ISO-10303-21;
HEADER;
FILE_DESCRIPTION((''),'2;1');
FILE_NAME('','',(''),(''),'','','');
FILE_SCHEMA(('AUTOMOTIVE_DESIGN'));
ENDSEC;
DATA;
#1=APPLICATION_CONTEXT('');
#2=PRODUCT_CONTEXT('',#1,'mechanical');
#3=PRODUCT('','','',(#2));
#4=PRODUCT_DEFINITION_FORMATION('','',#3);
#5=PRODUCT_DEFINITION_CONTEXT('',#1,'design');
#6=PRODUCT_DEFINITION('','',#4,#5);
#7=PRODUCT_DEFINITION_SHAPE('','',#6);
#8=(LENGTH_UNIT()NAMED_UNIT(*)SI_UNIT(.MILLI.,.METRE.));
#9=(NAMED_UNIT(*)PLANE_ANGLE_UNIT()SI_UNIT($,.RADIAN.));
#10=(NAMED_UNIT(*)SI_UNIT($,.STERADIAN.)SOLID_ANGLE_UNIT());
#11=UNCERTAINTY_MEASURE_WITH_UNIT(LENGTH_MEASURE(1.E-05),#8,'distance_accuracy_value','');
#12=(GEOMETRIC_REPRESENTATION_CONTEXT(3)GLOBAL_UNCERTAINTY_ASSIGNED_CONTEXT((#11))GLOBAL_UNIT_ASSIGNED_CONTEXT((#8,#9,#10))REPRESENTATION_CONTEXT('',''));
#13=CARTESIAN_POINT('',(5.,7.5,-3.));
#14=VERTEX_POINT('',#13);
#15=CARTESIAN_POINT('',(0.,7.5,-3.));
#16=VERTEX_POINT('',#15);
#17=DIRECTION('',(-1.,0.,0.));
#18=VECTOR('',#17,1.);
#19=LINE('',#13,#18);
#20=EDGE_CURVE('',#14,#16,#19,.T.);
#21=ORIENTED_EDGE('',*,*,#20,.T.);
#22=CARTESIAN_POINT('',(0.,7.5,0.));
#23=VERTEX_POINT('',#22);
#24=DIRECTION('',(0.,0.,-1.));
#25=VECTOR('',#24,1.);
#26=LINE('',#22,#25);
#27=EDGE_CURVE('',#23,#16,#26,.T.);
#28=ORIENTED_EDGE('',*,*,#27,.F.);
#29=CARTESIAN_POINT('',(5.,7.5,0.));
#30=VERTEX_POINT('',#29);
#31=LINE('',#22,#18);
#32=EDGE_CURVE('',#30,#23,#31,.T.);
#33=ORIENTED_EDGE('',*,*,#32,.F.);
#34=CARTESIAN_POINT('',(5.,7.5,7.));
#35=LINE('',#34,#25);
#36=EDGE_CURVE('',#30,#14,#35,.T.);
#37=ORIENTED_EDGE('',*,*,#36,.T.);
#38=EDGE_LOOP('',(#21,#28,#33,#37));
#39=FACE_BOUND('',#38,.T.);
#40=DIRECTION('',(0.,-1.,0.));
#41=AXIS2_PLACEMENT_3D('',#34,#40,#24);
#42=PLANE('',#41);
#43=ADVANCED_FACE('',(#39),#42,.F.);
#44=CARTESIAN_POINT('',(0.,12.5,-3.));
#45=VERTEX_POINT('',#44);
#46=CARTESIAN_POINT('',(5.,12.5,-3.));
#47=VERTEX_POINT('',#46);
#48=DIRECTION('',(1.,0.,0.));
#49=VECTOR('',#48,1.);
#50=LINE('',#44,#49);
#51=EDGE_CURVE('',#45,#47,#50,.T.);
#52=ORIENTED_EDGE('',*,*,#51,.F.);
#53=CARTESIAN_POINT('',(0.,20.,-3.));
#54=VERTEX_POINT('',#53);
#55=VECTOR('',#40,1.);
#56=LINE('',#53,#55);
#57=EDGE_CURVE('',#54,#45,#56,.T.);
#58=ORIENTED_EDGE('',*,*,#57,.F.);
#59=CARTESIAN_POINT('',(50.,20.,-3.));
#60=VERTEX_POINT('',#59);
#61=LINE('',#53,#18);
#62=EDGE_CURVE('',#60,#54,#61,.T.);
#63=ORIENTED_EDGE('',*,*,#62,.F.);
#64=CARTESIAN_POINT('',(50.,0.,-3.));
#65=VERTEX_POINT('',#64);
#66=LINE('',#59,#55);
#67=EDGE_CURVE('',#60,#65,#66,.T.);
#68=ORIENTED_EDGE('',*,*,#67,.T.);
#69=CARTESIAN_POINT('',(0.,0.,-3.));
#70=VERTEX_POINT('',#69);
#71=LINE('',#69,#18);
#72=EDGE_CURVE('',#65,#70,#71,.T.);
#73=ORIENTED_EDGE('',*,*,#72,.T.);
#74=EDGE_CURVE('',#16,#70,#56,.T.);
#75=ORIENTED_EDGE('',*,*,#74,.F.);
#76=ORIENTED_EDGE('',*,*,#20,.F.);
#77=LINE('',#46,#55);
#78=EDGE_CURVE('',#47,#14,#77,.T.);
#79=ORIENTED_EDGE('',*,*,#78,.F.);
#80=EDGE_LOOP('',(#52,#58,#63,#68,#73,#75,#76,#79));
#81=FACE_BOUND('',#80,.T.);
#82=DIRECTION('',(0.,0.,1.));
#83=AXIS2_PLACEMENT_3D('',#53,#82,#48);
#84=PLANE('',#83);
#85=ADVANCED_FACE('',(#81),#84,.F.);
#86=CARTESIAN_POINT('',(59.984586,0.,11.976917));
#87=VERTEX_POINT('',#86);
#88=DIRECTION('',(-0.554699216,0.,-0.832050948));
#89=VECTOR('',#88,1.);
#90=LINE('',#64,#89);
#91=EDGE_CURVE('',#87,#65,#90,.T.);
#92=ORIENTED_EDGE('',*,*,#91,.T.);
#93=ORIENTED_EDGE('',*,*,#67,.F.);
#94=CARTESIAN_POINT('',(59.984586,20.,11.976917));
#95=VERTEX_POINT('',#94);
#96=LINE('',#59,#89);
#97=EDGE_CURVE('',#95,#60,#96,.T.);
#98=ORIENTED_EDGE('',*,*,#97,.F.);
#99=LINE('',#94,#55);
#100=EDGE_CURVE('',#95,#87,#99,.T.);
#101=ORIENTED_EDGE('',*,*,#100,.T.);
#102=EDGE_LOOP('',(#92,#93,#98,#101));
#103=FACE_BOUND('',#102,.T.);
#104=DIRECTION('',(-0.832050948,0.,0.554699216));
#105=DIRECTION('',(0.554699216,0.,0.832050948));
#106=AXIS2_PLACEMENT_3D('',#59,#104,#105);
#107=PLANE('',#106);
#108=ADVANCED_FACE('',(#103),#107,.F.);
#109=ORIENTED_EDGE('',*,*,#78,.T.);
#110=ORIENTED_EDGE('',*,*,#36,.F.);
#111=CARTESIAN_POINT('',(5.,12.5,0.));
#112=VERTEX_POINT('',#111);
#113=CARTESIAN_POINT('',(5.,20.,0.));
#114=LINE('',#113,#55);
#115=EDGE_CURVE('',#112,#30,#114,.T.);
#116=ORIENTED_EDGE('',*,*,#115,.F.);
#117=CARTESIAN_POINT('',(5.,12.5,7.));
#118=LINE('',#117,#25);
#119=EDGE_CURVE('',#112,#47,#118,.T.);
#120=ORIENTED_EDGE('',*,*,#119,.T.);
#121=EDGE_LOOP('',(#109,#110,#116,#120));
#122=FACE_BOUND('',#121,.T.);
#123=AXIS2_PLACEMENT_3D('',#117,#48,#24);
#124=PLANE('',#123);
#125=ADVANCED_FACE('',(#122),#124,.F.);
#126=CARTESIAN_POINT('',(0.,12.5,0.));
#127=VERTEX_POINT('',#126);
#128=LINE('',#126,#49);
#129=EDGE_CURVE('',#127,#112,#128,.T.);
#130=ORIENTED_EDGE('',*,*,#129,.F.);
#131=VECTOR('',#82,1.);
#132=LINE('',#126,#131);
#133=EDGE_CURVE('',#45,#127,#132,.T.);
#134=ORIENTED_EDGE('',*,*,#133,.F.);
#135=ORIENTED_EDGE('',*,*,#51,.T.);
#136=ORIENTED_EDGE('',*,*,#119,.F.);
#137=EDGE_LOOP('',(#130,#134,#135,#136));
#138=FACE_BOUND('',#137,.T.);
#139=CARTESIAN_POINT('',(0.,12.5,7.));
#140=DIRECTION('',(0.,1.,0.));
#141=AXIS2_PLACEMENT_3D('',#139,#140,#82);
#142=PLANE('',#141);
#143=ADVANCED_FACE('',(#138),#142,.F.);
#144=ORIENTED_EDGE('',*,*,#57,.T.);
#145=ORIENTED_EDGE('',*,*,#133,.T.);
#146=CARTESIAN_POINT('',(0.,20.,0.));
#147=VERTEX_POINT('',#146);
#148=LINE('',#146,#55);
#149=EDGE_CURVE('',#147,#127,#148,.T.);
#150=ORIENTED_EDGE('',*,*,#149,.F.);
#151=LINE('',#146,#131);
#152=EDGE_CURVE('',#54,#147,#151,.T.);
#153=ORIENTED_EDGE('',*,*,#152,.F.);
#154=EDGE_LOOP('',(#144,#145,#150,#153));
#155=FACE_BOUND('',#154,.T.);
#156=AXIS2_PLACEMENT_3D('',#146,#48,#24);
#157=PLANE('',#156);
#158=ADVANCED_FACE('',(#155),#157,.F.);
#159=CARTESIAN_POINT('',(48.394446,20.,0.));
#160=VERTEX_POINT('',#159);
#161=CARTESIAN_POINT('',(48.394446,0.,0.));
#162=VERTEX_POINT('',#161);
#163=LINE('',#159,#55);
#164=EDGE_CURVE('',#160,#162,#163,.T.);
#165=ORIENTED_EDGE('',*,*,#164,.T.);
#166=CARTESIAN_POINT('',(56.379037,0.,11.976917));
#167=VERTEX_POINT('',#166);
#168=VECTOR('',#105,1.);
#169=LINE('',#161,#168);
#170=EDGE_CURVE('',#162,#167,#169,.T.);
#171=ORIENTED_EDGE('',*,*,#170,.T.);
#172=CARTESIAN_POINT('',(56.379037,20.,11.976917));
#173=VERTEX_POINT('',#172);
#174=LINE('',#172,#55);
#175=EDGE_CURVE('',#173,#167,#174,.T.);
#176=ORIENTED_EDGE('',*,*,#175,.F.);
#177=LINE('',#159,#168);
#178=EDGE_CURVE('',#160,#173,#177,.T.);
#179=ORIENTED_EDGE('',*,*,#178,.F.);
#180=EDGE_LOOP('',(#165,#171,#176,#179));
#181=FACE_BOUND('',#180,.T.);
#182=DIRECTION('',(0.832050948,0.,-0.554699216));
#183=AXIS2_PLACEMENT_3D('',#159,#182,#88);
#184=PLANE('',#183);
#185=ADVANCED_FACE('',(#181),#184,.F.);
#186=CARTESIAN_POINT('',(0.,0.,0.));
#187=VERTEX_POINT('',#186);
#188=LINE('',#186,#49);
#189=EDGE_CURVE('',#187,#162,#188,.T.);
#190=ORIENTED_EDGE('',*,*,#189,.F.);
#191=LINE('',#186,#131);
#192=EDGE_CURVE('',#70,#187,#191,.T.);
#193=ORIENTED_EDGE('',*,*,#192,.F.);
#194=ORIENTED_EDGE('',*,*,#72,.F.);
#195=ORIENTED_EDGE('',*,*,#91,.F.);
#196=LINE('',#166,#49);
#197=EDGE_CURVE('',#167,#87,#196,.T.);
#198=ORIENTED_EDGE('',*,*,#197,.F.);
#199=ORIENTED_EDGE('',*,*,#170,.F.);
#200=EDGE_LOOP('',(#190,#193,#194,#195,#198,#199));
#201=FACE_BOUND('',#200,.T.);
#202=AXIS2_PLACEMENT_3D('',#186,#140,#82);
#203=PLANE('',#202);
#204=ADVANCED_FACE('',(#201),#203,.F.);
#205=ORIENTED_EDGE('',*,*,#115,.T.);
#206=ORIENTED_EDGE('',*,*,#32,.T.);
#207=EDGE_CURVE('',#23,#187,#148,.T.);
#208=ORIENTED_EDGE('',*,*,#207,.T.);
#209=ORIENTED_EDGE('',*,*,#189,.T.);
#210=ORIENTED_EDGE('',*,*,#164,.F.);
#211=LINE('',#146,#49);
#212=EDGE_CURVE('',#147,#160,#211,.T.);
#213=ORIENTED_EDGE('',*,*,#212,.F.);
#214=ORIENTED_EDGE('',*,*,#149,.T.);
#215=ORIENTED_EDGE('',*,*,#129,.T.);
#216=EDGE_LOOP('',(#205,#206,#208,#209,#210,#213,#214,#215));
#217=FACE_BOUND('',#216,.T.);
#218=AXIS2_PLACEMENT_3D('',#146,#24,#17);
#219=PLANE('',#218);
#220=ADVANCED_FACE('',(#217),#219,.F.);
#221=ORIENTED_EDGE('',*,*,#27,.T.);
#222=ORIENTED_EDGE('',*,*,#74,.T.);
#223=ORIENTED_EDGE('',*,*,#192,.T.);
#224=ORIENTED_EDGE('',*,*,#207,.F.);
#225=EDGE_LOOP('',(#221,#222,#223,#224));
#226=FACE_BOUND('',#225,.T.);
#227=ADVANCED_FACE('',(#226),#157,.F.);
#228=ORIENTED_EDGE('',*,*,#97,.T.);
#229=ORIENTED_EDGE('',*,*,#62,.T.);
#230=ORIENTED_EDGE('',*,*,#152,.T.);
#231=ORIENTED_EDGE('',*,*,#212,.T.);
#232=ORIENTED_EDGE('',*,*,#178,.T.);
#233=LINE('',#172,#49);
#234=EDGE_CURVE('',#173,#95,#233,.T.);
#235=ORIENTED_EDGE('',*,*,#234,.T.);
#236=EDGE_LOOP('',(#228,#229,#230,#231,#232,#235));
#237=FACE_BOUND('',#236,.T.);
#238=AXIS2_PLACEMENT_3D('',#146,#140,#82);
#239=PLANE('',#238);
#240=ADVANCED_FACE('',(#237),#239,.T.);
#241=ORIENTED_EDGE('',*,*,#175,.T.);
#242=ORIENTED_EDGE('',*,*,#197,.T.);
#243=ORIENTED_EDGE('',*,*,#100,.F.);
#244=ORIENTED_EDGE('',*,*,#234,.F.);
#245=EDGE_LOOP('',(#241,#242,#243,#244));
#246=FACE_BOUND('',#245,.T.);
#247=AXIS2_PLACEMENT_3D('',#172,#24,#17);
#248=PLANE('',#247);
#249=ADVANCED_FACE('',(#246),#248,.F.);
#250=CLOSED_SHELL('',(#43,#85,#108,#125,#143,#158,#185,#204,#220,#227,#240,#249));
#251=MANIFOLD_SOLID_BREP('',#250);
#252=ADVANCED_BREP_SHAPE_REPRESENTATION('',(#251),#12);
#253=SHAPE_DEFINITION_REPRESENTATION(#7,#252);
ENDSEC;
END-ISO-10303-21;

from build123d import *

# Parameters (mm, degrees)
BOSS_EXTRUDE1_DEPTH = 20
SKETCH2_W           = 5
SKETCH2_H           = 5
CUT_EXTRUDE1_DEPTH  = 10


with BuildPart() as part:
    # Sketch1 → Boss-Extrude1 (new body)
    with BuildSketch(Plane(origin=(0, 0, 0), x_dir=(1, 0, 0), z_dir=(0, 1, 0))):
        Polygon((0, 0), (0, 3), (50, 3), (59.984585881, -11.976917065), (56.379037438, -11.976917065), (48.39444645, 0), align=None)
    extrude(amount=BOSS_EXTRUDE1_DEPTH)

    # Sketch2 → Cut-Extrude1 (cut)
    with BuildSketch(Plane(origin=(0, 0, -3), x_dir=(-1, 0, 0), z_dir=(0, 0, -1))):
        with Locations((-2.5, 10)):
            Rectangle(SKETCH2_W, SKETCH2_H)
    extrude(amount=-CUT_EXTRUDE1_DEPTH, mode=Mode.SUBTRACT)


solid = part.part
